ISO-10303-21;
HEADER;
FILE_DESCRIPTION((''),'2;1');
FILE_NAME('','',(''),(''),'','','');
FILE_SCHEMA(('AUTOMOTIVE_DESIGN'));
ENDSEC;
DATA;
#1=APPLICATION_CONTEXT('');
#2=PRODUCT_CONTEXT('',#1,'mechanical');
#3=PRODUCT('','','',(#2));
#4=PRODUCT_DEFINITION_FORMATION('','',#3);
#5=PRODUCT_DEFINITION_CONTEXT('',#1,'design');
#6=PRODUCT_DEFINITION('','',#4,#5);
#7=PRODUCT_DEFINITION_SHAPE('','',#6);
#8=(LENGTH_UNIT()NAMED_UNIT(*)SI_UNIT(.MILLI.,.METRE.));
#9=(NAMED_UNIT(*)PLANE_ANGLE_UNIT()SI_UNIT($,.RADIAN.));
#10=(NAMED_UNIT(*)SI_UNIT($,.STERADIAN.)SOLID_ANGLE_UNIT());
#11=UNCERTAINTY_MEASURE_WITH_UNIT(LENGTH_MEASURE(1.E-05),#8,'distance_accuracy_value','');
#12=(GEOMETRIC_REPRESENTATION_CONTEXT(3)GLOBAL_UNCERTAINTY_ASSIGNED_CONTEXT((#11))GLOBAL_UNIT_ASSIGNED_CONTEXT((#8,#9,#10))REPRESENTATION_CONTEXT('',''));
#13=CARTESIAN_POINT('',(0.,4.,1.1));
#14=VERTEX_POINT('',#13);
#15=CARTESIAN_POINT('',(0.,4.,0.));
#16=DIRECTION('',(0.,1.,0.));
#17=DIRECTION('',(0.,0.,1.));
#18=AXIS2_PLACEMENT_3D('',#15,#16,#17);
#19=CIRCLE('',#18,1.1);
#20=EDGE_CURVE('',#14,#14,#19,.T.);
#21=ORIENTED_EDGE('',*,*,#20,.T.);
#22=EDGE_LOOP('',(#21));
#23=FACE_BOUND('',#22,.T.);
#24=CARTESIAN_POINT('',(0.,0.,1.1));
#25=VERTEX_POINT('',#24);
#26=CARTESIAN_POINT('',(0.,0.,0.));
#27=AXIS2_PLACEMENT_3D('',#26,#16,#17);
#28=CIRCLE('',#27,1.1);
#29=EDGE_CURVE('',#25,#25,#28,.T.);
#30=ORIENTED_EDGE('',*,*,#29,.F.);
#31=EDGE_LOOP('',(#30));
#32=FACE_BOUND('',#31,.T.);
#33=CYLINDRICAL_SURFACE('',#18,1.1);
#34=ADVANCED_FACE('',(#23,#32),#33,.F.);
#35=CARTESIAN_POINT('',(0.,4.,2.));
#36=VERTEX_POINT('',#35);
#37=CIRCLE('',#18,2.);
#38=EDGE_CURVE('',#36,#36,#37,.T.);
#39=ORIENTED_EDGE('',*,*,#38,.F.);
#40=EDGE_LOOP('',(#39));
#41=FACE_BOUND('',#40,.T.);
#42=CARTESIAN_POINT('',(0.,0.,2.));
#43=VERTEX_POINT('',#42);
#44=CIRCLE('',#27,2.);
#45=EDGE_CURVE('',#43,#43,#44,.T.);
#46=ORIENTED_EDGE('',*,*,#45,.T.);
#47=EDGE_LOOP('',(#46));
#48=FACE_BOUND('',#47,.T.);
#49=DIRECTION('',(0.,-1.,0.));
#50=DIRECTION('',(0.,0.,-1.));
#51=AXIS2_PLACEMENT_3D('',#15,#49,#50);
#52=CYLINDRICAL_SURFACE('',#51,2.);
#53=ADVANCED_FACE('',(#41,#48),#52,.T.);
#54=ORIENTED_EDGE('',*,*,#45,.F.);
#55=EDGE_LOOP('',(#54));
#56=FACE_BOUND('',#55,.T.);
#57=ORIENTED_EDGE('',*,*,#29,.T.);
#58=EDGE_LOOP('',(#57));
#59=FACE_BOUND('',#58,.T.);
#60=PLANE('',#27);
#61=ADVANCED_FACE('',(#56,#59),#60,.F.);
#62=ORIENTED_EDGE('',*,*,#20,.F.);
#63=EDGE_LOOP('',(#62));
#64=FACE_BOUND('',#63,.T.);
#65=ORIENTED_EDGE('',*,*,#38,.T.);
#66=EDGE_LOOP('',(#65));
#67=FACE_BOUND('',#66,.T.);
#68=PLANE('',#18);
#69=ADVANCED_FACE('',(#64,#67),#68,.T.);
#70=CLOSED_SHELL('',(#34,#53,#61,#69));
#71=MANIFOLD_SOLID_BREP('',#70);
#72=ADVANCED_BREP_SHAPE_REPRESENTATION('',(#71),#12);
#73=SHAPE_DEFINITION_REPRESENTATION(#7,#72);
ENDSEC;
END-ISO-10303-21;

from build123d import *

# Parameters (mm, degrees)
CROQUIS2_R                       = 2
SALIENTE_EXTRUIR1_DEPTH          = 4
TALADRO_DE_MARGEN_PARA_M21_D     = 2.2
TALADRO_DE_MARGEN_PARA_M21_DEPTH = 20
TALADRO_DE_MARGEN_PARA_M21_TIP   = 0.660946681


with BuildPart() as part:
    # Croquis2 → Saliente-Extruir1 (new body)
    with BuildSketch(Plane(origin=(0, 0, 0), x_dir=(1, 0, 0), z_dir=(0, 1, 0))):
        with Locations(Location((0, 0, 0), (0, 0, 270))):
            Circle(CROQUIS2_R)
    extrude(amount=SALIENTE_EXTRUIR1_DEPTH)

    # Taladro de margen para M21
    with Locations(Plane(origin=(0, 4, 0), x_dir=(1, 0, 0), z_dir=(0, 1, 0))):
        with Locations((0, 0)):
            Hole(TALADRO_DE_MARGEN_PARA_M21_D / 2, depth=TALADRO_DE_MARGEN_PARA_M21_DEPTH)
            with Locations((0, 0, -(TALADRO_DE_MARGEN_PARA_M21_DEPTH + TALADRO_DE_MARGEN_PARA_M21_TIP / 2))):  # 118° drill point
                Cone(0, TALADRO_DE_MARGEN_PARA_M21_D / 2, TALADRO_DE_MARGEN_PARA_M21_TIP, mode=Mode.SUBTRACT)


solid = part.part
